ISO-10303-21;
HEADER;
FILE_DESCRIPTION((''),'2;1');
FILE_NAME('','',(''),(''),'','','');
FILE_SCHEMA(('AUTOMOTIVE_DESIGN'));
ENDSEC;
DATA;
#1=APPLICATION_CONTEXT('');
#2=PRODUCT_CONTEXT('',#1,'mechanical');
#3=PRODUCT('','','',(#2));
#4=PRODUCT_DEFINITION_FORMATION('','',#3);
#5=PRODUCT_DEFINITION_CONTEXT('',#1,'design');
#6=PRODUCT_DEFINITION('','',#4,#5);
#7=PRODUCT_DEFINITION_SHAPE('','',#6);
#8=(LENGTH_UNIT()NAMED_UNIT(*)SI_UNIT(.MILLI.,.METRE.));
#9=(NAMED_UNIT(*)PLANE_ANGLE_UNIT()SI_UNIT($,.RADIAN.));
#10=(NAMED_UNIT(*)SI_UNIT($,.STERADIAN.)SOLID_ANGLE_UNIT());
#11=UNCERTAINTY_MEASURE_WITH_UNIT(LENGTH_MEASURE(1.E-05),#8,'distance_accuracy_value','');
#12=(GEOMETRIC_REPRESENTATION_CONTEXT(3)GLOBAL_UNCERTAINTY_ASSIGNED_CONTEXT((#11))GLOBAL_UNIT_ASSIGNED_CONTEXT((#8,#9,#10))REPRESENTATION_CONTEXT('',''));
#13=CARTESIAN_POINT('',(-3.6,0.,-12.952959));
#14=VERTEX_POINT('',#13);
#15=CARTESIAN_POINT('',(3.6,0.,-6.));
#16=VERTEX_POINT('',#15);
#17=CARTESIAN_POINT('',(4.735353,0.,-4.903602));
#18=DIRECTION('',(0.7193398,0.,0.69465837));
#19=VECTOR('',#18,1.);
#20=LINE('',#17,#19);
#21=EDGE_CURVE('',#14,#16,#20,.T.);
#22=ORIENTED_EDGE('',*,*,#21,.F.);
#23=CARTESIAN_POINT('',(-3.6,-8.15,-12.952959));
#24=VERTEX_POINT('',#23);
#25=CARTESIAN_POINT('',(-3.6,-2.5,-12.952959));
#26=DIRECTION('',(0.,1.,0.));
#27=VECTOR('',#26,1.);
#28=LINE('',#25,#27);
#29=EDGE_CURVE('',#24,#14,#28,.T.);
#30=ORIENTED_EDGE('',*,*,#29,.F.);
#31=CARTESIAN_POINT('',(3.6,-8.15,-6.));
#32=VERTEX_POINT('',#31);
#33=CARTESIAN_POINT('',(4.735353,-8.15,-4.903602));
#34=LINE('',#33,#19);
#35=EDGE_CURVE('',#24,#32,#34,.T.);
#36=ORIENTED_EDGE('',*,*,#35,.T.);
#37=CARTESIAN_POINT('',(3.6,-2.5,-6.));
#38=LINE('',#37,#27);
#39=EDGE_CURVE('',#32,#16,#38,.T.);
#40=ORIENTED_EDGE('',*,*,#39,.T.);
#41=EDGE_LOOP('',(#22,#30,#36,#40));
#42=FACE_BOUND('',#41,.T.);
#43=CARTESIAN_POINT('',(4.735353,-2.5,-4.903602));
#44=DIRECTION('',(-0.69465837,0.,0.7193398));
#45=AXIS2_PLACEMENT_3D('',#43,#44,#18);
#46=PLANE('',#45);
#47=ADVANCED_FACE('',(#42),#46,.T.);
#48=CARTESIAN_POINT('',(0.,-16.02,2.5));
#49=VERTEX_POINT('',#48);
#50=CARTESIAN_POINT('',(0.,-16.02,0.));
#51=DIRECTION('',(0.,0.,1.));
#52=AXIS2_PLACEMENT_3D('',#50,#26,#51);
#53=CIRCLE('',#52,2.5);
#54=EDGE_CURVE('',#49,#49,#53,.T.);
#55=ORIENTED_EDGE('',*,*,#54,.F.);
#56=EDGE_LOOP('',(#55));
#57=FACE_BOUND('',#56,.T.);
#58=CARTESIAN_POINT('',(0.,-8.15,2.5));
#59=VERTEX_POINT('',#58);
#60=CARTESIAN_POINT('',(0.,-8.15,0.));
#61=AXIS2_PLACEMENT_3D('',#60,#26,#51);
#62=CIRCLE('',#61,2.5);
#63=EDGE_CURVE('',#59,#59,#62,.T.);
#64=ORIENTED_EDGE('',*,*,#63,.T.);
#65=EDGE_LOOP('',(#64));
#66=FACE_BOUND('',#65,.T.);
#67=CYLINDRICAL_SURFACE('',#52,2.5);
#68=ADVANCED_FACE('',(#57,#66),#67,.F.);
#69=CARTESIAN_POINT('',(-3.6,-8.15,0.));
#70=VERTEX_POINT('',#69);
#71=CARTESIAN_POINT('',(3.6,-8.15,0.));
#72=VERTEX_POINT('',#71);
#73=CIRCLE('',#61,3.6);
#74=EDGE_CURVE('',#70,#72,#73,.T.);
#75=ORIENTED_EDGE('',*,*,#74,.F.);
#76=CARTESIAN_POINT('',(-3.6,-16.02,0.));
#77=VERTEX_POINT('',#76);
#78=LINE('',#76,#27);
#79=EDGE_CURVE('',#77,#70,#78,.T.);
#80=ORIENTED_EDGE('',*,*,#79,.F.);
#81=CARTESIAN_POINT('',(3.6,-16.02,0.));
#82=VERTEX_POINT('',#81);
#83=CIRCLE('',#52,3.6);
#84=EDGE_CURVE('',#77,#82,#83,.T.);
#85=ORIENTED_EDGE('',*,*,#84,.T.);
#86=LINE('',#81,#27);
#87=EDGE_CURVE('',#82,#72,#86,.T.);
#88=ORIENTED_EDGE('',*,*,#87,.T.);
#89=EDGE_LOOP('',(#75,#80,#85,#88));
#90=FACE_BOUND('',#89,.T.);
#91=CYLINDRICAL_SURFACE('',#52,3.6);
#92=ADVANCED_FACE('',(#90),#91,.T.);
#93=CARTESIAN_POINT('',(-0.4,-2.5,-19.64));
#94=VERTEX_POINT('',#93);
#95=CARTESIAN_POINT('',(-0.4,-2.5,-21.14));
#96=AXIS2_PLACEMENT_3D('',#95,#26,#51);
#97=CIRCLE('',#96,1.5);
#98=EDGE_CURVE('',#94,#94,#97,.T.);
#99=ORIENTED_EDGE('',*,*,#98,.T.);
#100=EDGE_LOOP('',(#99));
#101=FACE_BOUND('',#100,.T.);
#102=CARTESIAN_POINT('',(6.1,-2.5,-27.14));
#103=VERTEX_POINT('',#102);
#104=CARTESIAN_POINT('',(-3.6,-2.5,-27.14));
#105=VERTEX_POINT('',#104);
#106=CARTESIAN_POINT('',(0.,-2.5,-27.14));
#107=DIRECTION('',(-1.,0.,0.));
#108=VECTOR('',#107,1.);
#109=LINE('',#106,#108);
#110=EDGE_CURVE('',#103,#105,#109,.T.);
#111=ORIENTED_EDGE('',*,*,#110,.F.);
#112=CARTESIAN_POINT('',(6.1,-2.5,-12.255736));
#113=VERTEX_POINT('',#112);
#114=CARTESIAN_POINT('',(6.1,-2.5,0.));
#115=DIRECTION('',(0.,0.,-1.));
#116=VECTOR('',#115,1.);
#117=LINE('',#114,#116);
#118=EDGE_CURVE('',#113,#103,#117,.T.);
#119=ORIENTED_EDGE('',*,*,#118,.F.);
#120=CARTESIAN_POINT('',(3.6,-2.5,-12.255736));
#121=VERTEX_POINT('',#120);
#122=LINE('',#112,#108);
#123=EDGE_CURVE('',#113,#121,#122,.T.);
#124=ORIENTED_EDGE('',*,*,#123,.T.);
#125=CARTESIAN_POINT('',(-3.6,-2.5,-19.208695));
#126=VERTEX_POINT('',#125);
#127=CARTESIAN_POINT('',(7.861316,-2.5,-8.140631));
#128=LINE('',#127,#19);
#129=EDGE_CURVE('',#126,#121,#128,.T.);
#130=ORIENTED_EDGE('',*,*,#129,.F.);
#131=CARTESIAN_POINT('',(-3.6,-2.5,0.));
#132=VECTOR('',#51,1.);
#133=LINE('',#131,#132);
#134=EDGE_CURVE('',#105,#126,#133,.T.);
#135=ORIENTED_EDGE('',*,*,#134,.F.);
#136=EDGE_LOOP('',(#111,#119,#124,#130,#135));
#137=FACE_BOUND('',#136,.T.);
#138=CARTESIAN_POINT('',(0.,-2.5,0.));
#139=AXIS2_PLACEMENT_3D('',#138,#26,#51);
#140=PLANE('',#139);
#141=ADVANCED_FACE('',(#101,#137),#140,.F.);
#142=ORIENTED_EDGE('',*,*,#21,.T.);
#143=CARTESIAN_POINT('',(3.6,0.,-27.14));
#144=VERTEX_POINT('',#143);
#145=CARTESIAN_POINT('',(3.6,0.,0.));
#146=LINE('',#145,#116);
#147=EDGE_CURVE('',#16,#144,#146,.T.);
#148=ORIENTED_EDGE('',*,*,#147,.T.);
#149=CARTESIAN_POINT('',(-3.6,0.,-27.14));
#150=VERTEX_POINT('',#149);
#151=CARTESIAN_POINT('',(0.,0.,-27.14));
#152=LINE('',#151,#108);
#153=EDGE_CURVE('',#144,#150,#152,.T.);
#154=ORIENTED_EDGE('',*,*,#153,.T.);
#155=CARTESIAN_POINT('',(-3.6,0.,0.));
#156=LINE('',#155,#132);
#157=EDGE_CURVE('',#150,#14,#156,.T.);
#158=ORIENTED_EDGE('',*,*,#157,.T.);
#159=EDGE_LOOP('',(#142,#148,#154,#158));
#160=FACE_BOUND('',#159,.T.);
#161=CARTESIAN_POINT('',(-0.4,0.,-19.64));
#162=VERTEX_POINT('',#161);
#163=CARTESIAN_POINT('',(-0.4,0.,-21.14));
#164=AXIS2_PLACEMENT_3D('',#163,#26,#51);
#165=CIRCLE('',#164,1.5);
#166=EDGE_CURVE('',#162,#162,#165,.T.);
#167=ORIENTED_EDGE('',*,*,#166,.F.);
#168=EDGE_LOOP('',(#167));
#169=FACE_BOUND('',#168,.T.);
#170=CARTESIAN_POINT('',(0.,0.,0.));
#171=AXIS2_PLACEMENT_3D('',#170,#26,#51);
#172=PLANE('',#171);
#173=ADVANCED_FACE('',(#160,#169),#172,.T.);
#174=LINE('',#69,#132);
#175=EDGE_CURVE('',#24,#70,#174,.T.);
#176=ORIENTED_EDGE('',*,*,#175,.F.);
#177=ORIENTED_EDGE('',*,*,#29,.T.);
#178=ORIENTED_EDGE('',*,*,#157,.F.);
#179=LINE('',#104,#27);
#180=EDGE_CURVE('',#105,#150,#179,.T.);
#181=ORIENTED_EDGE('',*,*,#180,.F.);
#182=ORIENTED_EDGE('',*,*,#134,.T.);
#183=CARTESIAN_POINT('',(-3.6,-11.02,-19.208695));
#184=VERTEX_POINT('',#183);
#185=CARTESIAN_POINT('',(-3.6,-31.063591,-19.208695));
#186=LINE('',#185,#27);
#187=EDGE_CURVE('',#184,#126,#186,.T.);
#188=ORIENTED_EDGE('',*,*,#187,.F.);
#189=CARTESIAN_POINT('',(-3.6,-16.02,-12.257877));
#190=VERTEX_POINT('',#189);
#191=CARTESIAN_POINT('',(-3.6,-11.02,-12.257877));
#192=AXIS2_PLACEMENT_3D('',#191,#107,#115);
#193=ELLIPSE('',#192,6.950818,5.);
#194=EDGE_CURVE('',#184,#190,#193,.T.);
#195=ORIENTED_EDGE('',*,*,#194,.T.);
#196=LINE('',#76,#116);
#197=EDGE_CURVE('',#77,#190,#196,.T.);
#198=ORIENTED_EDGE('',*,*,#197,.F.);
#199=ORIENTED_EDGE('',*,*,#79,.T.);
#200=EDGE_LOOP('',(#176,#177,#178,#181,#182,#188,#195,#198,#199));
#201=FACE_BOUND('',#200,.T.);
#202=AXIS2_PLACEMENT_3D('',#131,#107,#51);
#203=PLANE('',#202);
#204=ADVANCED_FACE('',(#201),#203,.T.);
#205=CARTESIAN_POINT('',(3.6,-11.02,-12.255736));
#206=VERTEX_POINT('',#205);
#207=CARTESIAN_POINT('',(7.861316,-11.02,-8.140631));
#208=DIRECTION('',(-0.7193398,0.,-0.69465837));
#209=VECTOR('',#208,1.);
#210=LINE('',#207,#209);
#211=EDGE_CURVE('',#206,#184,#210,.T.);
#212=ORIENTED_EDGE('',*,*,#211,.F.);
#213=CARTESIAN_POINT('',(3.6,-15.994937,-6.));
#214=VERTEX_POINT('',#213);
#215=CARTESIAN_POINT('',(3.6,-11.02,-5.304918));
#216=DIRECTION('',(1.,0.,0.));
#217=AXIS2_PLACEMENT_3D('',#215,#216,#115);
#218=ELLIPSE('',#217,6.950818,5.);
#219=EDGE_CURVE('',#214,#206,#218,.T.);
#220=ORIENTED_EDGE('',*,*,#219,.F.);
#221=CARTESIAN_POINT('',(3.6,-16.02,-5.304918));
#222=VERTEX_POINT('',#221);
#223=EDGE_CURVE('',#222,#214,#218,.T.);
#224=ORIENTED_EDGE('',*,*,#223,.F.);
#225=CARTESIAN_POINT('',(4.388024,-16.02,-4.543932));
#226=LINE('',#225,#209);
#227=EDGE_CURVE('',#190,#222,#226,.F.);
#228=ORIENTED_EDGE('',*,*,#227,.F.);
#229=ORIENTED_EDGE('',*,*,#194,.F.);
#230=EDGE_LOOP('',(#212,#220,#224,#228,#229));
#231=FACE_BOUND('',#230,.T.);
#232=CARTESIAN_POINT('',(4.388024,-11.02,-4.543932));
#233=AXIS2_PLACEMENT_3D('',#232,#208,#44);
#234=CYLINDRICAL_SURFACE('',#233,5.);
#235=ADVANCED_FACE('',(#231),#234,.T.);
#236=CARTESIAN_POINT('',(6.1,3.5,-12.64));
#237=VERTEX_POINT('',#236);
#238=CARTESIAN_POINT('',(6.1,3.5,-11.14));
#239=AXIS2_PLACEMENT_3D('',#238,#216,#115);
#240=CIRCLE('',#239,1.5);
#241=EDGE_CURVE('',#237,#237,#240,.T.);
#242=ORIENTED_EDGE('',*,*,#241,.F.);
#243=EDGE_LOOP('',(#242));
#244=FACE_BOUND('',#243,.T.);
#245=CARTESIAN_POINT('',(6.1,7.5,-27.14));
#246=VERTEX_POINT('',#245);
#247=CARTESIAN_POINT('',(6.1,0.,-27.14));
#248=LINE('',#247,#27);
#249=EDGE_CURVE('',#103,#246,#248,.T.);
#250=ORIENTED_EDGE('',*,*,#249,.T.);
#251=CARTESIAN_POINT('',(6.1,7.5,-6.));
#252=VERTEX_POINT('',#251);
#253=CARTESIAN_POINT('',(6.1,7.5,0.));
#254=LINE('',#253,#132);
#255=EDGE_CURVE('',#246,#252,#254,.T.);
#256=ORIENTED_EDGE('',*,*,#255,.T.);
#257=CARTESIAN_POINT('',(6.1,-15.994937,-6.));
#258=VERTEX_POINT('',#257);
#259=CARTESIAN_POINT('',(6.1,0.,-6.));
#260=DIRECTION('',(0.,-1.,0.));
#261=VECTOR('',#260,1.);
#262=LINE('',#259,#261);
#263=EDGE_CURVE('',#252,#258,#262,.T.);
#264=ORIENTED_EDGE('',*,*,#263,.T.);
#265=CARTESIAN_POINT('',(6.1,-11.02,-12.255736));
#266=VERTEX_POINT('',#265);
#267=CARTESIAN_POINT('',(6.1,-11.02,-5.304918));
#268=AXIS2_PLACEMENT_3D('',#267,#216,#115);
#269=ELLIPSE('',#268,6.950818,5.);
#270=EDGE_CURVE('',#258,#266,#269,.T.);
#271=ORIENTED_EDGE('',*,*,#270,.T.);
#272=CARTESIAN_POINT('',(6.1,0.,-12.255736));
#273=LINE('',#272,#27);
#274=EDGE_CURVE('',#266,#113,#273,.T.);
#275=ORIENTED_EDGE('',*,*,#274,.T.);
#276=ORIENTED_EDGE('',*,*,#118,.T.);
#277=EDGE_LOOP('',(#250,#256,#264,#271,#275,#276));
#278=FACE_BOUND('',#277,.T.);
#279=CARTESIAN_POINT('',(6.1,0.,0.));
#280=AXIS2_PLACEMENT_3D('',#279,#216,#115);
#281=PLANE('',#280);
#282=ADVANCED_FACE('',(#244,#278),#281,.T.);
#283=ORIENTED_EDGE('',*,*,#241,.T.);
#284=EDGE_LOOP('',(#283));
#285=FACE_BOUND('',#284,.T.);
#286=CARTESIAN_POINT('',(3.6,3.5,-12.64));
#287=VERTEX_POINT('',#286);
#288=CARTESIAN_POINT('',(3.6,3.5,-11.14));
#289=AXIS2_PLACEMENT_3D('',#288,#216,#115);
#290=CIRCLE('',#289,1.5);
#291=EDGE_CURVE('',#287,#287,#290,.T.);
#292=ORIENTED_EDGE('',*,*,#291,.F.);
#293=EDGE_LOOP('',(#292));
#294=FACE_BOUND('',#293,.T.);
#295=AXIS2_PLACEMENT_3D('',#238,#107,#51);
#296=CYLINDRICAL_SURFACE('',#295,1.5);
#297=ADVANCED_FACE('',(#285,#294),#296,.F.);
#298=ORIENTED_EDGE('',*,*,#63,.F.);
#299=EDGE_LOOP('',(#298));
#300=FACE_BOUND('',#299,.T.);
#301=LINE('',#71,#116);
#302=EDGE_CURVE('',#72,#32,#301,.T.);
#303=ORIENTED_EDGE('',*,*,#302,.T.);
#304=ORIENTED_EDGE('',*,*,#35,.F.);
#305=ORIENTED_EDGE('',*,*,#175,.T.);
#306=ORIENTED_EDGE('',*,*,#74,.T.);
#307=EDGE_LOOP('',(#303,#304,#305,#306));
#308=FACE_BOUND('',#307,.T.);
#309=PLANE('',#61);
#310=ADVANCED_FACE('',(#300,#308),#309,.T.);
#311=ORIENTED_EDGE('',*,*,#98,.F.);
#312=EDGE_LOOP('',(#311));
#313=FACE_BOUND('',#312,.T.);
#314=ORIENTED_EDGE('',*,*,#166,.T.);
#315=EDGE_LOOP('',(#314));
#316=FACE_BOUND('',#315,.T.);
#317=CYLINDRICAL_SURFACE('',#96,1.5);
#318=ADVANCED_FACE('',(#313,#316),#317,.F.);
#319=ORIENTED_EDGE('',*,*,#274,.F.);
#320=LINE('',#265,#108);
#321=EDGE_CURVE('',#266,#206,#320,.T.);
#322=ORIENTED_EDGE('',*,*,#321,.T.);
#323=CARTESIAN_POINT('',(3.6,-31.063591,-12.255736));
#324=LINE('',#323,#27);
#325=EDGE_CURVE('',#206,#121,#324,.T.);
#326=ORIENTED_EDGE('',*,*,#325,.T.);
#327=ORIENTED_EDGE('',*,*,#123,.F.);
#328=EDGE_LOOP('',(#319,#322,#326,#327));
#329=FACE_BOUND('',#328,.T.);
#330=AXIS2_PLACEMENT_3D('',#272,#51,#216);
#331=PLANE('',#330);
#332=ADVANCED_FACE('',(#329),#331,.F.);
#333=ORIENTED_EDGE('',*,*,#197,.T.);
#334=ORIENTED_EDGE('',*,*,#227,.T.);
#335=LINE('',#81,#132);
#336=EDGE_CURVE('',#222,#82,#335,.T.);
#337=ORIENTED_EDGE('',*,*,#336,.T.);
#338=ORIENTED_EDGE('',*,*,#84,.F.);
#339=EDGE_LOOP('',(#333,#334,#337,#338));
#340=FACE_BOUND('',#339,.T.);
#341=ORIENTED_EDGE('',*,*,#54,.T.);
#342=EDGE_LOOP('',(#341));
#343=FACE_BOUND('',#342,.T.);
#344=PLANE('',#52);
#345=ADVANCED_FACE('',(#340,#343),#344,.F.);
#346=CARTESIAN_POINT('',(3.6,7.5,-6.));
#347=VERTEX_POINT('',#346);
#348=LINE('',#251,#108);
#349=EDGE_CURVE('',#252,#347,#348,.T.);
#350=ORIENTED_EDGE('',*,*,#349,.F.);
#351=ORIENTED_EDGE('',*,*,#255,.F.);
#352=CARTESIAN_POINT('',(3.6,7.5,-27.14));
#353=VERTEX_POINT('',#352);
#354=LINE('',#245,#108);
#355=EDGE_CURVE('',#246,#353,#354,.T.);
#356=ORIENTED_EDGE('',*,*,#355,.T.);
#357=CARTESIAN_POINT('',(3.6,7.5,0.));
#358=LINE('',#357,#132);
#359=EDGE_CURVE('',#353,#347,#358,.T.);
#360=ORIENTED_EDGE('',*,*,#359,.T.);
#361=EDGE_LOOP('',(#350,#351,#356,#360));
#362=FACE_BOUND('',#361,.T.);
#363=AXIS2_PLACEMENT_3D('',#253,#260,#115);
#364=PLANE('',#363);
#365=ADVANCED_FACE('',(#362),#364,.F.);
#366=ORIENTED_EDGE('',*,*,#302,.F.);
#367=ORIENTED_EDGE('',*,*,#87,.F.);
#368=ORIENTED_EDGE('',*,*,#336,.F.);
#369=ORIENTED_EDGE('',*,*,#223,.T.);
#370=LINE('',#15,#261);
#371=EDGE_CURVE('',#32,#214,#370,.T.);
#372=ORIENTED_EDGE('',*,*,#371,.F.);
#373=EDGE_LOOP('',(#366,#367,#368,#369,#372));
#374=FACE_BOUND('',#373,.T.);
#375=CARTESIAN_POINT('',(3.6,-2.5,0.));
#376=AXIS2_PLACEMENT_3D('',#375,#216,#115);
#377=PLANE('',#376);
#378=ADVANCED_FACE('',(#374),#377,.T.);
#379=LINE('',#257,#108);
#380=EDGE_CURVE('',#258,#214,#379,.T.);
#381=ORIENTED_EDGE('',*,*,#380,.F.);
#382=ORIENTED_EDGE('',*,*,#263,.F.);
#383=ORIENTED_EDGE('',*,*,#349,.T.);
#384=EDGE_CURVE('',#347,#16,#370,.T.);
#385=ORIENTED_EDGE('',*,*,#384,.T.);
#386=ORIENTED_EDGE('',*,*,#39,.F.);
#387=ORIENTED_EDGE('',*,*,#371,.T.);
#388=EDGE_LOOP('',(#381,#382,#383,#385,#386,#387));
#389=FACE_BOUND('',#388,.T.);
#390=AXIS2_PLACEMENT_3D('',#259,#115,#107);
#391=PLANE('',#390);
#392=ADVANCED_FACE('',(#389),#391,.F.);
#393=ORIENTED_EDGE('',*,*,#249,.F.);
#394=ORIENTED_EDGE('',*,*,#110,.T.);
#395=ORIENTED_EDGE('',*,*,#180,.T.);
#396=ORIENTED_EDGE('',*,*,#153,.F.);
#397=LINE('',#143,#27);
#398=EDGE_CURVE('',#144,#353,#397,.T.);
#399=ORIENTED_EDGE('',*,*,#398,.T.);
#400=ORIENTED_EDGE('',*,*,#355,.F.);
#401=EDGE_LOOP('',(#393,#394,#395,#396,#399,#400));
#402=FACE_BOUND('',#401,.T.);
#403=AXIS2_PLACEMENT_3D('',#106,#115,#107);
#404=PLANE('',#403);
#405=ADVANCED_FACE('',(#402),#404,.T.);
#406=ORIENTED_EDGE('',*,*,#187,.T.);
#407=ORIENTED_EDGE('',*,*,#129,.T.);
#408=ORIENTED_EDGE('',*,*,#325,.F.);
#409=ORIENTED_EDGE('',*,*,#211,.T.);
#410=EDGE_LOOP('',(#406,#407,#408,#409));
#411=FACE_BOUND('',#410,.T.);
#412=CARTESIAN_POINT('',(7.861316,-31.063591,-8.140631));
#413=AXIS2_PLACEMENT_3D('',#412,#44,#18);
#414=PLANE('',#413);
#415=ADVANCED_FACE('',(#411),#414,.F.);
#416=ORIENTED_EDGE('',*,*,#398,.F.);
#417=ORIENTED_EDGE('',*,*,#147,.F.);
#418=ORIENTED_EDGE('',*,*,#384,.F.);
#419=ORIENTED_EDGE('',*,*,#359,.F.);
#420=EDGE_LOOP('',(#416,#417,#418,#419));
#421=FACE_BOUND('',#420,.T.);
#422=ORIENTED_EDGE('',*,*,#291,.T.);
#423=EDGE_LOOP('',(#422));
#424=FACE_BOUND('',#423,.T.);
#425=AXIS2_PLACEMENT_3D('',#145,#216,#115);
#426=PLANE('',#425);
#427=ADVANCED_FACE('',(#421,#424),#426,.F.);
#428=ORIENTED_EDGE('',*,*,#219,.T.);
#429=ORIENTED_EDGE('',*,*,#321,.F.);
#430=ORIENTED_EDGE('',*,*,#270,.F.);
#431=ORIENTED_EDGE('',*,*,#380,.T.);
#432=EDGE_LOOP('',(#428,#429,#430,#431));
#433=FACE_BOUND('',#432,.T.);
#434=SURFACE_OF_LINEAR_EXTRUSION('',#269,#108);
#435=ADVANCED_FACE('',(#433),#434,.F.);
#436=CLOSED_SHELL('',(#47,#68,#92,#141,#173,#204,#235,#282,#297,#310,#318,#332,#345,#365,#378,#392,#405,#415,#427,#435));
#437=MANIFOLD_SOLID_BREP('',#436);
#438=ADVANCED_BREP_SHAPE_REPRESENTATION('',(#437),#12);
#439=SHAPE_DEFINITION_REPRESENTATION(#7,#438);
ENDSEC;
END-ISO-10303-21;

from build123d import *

# Parameters (mm, degrees)
CROQUIS1_R              = 1.5
SALIENTE_EXTRUIR1_DEPTH = 2.5
SALIENTE_EXTRUIR2_START = -8.15
CROQUIS1_4_R            = 2.5
SALIENTE_EXTRUIR2_DEPTH = 7.87
SALIENTE_EXTRUIR3_DEPTH = 16.02
REDONDEO1_R             = 5
CROQUIS3_W              = 21.14
CROQUIS3_H              = 7.5
CROQUIS3_R              = 1.5
SALIENTE_EXTRUIR4_DEPTH = 2.5


with BuildPart() as part:
    # Croquis1 → Saliente-Extruir1 (new body)
    # profile 1 of 2: a face of its own
    with BuildSketch(Plane(origin=(0, 0, 0), x_dir=(1, 0, 0), z_dir=(0, 1, 0))):
        Polygon((3.6, 27.14), (-3.6, 27.14), (-3.6, 19.208695338), (3.6, 12.25573616), align=None)
        with Locations(Location((-0.4, 21.14, 0), (0, 0, 270))):
            Circle(CROQUIS1_R, mode=Mode.SUBTRACT)
    # profile 2 of 2: a face of its own
    with BuildSketch(Plane(origin=(0, 0, 0), x_dir=(1, 0, 0), z_dir=(0, 1, 0))):
        Polygon((3.6, 12.25573616), (-3.6, 19.208695338), (-3.6, 12.952959179), (3.6, 6), align=None)
    extrude(amount=-SALIENTE_EXTRUIR1_DEPTH)



with BuildPart() as body_2:
    # Croquis1<4> → Saliente-Extruir2 (new body)
    with BuildSketch(Plane(origin=(0, 0, 0), x_dir=(1, 0, 0), z_dir=(0, 1, 0)).offset(SALIENTE_EXTRUIR2_START)):
        with BuildLine():
            Line((3.6, 6), (-3.6, 12.952959179))
            Line((-3.6, 12.952959179), (-3.6, 0))
            ThreePointArc((-3.6, 0), (0, -3.6), (3.6, 0))
            Line((3.6, 0), (3.6, 6))
        make_face()
        with Locations(Location((0, 0, 0), (0, 0, 270))):
            Circle(CROQUIS1_4_R, mode=Mode.SUBTRACT)
    extrude(amount=-SALIENTE_EXTRUIR2_DEPTH)


with BuildPart() as part_1:
    add(part.part)

    add(body_2.part)  # Saliente-Extruir3 merges body 2
    # Croquis1<5> → Saliente-Extruir3 (add)
    with BuildSketch(Plane(origin=(0, 0, 0), x_dir=(1, 0, 0), z_dir=(0, 1, 0))):
        Polygon((3.6, 12.25573616), (-3.6, 19.208695338), (-3.6, 12.952959179), (3.6, 6), align=None)
    extrude(amount=-SALIENTE_EXTRUIR3_DEPTH)

    # Redondeo1
    redondeo1_edges = [part_1.edges().sort_by_distance(p)[0] for p in [
        (0, -16.02, -15.732215749),
    ]]
    fillet(redondeo1_edges, radius=REDONDEO1_R)

    # Croquis3 → Saliente-Extruir4 (add)
    # profile 1 of 2: a face of its own
    with BuildSketch(Plane(origin=(3.6, 0, 0), x_dir=(0, 0, -1), z_dir=(1, 0, 0))):
        with BuildLine():
            Line((6, 0), (6, -8.15))
            Line((6, -8.15), (6, -15.994937186))
            add(Edge.make_bspline(
                [(6, -15.994937186), (12.25573616, -15.542670169), (12.25573616, -11.02)],
                knots=[4.821475205, 4.821475205, 4.821475205, 6.283185307, 6.283185307, 6.283185307], degree=2, weights=[0.962144349, 0.727447175, 1]))
            Line((12.25573616, -11.02), (12.25573616, -2.5))
            Line((12.25573616, -2.5), (27.14, -2.5))
            Line((27.14, -2.5), (27.14, 0))
            Line((27.14, 0), (6, 0))
        make_face()
    # profile 2 of 2: a face of its own
    with BuildSketch(Plane(origin=(3.6, 0, 0), x_dir=(0, 0, -1), z_dir=(1, 0, 0))):
        with Locations((16.57, 3.75)):
            Rectangle(CROQUIS3_W, CROQUIS3_H)
        with Locations((11.14, 3.5)):
            Circle(CROQUIS3_R, mode=Mode.SUBTRACT)
    extrude(amount=SALIENTE_EXTRUIR4_DEPTH)


solid = part_1.part
